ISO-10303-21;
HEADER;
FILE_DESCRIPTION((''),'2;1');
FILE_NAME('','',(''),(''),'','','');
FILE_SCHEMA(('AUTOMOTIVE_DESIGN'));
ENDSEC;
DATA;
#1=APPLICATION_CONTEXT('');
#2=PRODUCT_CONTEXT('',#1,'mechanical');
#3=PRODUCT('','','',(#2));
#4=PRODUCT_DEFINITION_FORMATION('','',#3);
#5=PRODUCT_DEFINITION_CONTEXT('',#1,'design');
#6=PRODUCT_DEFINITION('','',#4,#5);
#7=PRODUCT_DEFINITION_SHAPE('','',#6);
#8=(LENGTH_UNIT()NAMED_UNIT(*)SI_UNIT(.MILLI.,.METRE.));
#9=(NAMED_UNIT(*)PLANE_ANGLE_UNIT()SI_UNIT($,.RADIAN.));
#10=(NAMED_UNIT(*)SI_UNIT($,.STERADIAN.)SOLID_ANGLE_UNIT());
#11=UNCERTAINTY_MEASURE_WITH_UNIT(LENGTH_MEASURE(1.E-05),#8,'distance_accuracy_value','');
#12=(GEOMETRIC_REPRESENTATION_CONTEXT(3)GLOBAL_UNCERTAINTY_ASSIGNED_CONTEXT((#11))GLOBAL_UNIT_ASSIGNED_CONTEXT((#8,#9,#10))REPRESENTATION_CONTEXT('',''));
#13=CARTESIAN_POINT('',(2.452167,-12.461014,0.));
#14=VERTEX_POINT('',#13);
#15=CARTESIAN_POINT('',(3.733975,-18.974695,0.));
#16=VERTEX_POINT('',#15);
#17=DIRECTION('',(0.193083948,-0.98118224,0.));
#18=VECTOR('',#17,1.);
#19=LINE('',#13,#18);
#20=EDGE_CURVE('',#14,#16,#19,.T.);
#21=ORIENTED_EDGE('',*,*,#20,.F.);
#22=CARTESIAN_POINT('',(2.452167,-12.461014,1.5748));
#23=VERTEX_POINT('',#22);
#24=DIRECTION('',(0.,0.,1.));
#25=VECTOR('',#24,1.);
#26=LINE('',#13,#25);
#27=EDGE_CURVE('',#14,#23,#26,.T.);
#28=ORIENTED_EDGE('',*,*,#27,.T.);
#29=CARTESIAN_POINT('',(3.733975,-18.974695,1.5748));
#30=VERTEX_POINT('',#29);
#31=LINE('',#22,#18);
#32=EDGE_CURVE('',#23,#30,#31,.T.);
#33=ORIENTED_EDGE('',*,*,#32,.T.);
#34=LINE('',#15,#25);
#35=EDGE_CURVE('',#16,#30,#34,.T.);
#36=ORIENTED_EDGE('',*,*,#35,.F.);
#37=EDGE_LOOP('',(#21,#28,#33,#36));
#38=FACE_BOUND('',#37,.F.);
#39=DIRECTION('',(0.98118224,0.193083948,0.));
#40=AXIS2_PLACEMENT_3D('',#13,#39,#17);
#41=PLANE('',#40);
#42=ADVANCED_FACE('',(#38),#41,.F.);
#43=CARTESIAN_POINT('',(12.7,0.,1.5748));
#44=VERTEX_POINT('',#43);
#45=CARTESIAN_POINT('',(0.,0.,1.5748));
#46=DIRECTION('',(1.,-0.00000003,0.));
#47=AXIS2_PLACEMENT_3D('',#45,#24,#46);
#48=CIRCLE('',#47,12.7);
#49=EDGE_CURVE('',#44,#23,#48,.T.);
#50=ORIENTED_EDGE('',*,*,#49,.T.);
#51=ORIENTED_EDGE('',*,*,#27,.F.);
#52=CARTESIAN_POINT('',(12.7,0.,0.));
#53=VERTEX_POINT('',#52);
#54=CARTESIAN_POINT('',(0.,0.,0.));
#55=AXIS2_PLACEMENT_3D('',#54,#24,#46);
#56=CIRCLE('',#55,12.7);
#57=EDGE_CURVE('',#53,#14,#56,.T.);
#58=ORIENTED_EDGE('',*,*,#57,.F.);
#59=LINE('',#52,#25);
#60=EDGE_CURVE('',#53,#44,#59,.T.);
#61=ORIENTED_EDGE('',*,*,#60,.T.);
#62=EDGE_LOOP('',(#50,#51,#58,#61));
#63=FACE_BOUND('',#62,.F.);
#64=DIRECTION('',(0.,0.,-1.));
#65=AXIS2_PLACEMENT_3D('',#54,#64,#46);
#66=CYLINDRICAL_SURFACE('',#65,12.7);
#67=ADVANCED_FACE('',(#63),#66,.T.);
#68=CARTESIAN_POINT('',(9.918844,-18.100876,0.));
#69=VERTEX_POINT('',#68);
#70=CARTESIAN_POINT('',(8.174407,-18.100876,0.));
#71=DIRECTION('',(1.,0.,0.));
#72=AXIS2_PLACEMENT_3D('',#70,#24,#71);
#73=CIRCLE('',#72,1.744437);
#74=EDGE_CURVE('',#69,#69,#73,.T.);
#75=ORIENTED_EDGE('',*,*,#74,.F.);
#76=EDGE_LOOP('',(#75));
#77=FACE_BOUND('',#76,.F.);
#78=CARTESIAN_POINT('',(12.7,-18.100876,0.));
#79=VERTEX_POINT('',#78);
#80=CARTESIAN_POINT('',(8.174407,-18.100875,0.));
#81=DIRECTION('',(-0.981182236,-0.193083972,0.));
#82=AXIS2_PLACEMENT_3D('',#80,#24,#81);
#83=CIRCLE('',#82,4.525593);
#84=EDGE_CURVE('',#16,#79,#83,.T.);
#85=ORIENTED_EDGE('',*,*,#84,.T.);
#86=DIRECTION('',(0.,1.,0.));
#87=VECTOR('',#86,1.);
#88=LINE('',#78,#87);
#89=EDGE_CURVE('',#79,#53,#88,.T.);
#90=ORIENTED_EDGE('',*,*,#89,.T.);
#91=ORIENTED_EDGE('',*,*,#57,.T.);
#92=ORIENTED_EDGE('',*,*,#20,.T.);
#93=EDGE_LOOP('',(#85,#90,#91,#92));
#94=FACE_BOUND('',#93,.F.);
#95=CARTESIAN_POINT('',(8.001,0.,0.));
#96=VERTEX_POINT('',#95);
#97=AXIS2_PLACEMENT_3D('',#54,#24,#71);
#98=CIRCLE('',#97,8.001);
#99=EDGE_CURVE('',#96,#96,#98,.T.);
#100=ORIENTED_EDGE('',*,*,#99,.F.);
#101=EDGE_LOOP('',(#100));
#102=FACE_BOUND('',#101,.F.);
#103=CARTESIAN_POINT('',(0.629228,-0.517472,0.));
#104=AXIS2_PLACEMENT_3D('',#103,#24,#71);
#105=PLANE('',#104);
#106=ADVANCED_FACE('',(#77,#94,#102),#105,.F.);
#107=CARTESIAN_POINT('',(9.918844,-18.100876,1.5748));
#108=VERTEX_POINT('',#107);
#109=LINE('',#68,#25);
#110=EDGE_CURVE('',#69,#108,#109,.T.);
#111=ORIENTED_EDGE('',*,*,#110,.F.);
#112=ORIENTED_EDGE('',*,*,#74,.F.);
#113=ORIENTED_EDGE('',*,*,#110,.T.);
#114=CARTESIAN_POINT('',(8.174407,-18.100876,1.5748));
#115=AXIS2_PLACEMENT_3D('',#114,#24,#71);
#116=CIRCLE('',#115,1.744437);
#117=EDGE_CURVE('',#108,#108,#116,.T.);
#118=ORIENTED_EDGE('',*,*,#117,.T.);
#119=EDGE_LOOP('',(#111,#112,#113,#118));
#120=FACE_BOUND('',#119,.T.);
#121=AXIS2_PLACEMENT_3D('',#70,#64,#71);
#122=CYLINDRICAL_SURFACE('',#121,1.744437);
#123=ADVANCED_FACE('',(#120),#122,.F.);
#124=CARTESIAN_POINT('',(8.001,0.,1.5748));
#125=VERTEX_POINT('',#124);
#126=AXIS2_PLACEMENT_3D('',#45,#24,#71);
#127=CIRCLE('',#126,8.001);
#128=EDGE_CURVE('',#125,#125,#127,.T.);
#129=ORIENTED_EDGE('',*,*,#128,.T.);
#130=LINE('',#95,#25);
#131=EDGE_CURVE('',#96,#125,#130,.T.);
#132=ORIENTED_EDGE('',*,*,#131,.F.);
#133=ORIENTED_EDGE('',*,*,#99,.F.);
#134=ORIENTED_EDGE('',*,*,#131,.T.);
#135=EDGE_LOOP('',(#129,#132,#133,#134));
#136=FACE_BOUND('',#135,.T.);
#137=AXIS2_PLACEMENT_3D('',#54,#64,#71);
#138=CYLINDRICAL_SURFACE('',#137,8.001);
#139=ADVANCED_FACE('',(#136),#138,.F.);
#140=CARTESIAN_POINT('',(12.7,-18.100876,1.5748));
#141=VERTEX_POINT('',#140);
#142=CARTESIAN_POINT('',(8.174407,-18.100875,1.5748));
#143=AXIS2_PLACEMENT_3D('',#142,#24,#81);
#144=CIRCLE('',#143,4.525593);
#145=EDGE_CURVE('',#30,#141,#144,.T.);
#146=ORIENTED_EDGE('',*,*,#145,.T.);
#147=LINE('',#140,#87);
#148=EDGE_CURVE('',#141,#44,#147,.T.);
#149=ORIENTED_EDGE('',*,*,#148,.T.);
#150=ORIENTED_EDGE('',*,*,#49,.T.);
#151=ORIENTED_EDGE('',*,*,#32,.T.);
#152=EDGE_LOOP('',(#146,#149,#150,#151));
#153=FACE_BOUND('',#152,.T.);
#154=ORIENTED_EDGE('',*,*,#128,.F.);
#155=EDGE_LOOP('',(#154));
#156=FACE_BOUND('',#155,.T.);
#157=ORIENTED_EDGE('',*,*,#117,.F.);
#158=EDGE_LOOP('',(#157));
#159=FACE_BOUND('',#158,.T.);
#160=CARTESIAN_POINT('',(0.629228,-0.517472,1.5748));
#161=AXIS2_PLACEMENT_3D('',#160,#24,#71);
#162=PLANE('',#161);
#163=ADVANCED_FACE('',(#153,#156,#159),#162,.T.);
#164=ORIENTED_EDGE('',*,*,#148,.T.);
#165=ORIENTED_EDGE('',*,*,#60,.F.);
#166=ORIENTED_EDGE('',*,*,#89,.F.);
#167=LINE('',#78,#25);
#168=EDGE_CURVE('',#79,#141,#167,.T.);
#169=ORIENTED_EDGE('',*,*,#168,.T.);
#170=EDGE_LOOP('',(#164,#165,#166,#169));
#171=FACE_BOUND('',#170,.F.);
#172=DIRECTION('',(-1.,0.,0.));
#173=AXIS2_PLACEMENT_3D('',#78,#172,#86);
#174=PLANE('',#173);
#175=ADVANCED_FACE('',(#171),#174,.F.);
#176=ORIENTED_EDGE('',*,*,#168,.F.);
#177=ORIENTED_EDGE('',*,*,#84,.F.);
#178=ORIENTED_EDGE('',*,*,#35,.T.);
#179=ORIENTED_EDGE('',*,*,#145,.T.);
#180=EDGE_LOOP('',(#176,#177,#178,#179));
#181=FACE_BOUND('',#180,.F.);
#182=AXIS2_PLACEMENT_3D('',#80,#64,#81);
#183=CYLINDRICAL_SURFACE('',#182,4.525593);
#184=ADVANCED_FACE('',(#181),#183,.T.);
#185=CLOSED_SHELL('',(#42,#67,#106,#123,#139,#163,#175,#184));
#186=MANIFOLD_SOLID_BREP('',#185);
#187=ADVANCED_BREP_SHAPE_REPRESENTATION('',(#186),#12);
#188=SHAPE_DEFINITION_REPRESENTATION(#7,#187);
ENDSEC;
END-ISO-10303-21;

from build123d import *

# Parameters (mm, degrees)
F0_R     = 8.001
F0_R_2   = 1.744437
F1_DEPTH = 1.5748


with BuildPart() as f1:
    # F0 (on Top) → F1 (new body)
    with BuildSketch(Plane.XY):
        with BuildLine():
            ThreePointArc((2.452167, -12.461014), (9.808989, -8.06683), (12.7, 0))
            ThreePointArc((12.7, 0), (-9.808989, 8.06683), (2.452167, -12.461014))
        make_face()
        Circle(F0_R, mode=Mode.SUBTRACT)
        with BuildLine():
            Line((12.7, -18.100876), (12.7, 0))
            ThreePointArc((12.7, 0), (9.808989, -8.06683), (2.452167, -12.461014))
            Line((2.452167, -12.461014), (3.733975, -18.974695))
            ThreePointArc((3.733975, -18.974695), (8.613387, -22.605128), (12.7, -18.100876))
        make_face()
        with Locations((8.174407, -18.100876)):
            Circle(F0_R_2, mode=Mode.SUBTRACT)
    extrude(amount=F1_DEPTH)


solid = f1.part
